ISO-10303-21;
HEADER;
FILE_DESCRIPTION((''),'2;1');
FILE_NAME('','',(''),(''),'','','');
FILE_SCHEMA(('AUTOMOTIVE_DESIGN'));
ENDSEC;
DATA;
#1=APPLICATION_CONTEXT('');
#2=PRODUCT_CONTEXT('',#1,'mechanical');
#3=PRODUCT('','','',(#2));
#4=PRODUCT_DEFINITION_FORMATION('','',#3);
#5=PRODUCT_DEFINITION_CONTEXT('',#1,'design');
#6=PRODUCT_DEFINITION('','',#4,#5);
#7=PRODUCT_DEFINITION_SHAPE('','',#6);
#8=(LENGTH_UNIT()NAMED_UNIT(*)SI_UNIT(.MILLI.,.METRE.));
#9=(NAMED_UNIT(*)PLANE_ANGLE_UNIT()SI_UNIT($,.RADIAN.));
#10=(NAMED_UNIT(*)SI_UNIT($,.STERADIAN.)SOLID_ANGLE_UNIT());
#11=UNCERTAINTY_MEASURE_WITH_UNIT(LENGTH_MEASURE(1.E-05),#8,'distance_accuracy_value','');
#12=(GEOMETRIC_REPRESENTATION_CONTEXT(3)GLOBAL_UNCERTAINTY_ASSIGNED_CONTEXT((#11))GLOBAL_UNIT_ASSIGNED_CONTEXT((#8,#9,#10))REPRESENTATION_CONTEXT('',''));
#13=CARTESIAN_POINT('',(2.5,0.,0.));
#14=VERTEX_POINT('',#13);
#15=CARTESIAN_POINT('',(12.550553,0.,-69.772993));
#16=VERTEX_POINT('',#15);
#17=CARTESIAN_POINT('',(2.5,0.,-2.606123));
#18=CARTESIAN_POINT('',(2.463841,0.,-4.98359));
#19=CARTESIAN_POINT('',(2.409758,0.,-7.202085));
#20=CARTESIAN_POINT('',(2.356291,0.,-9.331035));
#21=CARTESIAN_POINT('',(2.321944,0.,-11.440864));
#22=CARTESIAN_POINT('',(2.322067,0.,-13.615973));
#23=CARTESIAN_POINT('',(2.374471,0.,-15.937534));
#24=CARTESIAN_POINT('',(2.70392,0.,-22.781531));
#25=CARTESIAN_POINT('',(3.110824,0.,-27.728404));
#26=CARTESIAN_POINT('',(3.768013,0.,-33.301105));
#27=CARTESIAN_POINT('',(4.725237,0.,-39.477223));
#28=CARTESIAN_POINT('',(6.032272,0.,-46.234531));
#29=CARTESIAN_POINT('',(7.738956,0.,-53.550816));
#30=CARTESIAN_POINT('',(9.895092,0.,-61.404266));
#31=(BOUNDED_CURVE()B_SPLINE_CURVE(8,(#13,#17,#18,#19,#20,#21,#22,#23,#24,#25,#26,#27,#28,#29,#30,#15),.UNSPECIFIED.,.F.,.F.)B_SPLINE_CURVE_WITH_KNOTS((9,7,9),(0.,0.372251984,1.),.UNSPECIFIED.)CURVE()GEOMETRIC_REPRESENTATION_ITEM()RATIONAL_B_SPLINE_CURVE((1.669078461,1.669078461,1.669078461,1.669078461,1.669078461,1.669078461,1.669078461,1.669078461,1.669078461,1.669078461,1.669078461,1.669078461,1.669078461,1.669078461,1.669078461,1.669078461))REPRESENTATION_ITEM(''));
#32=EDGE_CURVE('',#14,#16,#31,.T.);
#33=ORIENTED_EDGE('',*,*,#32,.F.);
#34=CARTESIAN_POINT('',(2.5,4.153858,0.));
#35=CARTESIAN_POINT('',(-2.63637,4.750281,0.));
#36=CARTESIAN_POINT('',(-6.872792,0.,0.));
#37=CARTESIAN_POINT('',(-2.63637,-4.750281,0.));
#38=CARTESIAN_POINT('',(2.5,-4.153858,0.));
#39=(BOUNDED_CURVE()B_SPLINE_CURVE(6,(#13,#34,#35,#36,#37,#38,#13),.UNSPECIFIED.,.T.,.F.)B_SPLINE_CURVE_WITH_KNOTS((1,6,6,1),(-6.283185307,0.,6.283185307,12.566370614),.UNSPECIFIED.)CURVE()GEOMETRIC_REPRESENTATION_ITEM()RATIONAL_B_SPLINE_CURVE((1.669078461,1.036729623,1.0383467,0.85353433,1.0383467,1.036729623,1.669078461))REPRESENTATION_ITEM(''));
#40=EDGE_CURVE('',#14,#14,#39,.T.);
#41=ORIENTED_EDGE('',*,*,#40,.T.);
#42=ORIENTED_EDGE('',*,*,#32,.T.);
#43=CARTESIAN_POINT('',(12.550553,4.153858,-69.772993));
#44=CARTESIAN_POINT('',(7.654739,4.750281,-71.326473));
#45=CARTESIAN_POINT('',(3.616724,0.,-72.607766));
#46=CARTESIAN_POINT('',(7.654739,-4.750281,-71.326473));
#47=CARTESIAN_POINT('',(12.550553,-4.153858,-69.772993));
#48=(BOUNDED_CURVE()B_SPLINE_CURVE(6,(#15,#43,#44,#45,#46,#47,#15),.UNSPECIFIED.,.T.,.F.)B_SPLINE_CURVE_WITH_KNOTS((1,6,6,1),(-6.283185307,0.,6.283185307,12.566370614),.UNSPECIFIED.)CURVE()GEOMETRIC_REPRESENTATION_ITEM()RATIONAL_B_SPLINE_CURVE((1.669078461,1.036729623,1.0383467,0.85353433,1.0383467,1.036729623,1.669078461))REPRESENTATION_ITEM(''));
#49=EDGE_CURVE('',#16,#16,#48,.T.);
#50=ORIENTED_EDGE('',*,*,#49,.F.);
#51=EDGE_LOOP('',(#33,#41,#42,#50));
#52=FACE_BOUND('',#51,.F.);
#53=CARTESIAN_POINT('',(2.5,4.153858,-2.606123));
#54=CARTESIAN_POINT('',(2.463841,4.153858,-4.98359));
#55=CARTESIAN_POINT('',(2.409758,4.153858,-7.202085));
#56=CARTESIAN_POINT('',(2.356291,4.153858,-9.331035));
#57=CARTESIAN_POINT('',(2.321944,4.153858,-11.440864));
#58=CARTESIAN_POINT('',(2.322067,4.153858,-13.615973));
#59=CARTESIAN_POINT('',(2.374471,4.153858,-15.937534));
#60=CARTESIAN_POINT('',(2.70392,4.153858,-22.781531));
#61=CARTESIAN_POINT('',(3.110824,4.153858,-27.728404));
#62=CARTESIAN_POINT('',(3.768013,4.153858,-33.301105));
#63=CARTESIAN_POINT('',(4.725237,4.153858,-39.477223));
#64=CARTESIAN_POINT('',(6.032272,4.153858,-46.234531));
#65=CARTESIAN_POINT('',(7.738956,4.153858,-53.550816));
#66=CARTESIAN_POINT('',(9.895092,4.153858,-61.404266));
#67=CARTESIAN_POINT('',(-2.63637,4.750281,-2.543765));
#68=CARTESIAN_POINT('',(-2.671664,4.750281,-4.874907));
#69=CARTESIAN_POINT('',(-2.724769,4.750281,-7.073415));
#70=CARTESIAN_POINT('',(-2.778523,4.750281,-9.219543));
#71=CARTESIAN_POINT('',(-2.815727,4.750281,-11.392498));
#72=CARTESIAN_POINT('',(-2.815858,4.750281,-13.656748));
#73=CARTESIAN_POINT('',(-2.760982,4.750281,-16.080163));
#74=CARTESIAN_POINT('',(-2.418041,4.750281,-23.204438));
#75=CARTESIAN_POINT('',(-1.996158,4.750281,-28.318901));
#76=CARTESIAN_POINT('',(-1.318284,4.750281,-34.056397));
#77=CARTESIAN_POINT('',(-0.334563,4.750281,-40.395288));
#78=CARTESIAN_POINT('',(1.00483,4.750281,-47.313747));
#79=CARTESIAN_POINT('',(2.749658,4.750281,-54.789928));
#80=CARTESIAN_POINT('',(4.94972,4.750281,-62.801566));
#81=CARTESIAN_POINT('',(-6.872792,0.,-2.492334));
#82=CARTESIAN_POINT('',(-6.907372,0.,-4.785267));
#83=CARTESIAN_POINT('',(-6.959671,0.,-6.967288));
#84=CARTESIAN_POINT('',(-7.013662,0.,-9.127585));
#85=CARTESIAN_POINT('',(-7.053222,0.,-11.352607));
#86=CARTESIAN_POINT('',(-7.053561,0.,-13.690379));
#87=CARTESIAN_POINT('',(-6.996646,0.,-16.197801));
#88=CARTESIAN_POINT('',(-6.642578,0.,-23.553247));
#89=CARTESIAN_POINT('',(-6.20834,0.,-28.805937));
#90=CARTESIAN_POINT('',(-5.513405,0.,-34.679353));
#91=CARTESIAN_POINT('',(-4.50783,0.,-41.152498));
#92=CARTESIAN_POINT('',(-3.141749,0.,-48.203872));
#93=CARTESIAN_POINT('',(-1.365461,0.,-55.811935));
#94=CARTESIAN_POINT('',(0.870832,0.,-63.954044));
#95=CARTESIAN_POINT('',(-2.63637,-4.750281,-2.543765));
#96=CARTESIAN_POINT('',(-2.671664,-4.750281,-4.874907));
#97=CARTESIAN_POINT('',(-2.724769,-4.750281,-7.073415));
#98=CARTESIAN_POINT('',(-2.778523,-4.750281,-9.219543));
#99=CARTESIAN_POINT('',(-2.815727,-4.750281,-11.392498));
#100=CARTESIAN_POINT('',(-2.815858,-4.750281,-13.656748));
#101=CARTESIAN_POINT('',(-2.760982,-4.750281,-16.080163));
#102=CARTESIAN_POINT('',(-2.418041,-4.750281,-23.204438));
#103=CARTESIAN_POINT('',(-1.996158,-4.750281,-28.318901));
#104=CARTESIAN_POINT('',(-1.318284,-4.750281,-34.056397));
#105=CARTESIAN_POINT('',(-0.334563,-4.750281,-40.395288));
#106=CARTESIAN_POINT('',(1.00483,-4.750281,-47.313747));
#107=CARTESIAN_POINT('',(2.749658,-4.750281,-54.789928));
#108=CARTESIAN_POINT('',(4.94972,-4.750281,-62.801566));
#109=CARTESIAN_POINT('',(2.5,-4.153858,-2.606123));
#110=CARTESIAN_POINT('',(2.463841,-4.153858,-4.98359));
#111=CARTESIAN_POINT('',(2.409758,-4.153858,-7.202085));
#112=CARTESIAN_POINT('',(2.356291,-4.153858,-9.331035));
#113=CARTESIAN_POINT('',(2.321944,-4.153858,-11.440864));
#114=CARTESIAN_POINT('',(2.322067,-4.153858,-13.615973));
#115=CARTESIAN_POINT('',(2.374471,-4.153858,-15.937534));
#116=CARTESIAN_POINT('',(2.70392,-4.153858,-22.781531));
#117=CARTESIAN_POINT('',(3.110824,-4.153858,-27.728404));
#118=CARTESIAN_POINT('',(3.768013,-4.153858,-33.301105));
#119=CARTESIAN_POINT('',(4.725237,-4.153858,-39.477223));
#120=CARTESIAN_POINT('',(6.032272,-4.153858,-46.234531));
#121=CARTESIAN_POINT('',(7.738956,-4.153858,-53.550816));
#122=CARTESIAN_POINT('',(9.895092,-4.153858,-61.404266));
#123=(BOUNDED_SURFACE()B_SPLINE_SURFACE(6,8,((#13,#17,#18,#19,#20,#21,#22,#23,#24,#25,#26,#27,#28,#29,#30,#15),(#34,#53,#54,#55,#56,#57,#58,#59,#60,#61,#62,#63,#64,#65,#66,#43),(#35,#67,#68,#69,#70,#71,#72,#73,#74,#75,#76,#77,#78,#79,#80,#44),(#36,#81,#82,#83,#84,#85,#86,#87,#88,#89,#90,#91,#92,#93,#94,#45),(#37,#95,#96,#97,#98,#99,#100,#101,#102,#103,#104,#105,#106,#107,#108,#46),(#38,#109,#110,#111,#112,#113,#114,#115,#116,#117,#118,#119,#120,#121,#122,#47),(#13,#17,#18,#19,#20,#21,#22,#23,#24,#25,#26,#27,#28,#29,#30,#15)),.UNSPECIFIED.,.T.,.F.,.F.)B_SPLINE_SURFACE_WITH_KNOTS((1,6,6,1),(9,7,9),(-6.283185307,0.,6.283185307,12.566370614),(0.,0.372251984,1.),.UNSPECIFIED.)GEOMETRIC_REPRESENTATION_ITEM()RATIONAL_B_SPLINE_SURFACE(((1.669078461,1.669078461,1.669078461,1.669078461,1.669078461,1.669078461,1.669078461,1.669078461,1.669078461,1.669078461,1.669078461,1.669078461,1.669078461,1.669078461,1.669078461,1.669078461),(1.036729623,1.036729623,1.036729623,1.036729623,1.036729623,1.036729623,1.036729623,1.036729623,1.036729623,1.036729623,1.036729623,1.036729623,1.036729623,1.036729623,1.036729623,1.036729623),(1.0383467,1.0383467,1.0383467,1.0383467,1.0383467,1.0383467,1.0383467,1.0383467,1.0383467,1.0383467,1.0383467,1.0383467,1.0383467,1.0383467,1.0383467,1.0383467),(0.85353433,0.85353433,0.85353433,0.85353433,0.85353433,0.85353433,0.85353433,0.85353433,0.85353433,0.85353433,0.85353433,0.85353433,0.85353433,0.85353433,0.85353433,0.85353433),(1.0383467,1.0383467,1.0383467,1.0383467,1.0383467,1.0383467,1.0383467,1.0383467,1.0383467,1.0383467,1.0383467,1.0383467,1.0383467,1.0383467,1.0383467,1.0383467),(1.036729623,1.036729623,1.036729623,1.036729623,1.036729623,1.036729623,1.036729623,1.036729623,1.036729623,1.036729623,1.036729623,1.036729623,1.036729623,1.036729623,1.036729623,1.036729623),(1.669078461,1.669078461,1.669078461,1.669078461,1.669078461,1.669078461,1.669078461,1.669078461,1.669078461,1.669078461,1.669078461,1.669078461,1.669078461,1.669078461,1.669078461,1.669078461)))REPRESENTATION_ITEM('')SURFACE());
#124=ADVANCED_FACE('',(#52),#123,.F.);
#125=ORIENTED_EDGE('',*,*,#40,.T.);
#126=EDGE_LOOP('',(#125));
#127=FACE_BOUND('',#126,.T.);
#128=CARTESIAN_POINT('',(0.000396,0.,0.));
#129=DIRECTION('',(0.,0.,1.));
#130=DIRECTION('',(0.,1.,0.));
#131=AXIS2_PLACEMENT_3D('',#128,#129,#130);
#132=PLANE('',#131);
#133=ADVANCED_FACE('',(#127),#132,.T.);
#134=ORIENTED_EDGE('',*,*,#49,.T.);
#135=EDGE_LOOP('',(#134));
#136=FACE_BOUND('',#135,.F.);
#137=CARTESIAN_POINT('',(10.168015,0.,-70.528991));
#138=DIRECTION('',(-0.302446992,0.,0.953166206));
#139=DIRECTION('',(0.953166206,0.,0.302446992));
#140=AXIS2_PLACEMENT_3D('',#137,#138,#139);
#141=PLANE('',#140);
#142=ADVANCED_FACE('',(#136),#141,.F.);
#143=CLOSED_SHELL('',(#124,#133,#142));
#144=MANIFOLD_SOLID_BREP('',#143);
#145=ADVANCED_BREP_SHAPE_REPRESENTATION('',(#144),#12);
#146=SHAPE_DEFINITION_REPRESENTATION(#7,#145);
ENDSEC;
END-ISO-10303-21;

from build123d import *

# Parameters (mm, degrees)
F0_R = 2.5


with BuildPart() as f2:
    # F2: sweep along a path in F1
    with BuildLine(Plane.XZ) as f2_path:
        add(Plane.XZ * Edge.make_bspline(
            [(0, 0), (0, -6.8687247112), (-0.8960419514, -19.7832035978), (3.022084944, -48.0097942054), (10.1676378399, -70.5291107297)],
            knots=[0, 0, 0, 0, 0.3722519836, 1, 1, 1, 1], degree=3))
    # F0 (on Top) → F2 (sweep)
    with BuildSketch(Plane.XY):
        Circle(F0_R)
    sweep(path=f2_path.line)


solid = f2.part
